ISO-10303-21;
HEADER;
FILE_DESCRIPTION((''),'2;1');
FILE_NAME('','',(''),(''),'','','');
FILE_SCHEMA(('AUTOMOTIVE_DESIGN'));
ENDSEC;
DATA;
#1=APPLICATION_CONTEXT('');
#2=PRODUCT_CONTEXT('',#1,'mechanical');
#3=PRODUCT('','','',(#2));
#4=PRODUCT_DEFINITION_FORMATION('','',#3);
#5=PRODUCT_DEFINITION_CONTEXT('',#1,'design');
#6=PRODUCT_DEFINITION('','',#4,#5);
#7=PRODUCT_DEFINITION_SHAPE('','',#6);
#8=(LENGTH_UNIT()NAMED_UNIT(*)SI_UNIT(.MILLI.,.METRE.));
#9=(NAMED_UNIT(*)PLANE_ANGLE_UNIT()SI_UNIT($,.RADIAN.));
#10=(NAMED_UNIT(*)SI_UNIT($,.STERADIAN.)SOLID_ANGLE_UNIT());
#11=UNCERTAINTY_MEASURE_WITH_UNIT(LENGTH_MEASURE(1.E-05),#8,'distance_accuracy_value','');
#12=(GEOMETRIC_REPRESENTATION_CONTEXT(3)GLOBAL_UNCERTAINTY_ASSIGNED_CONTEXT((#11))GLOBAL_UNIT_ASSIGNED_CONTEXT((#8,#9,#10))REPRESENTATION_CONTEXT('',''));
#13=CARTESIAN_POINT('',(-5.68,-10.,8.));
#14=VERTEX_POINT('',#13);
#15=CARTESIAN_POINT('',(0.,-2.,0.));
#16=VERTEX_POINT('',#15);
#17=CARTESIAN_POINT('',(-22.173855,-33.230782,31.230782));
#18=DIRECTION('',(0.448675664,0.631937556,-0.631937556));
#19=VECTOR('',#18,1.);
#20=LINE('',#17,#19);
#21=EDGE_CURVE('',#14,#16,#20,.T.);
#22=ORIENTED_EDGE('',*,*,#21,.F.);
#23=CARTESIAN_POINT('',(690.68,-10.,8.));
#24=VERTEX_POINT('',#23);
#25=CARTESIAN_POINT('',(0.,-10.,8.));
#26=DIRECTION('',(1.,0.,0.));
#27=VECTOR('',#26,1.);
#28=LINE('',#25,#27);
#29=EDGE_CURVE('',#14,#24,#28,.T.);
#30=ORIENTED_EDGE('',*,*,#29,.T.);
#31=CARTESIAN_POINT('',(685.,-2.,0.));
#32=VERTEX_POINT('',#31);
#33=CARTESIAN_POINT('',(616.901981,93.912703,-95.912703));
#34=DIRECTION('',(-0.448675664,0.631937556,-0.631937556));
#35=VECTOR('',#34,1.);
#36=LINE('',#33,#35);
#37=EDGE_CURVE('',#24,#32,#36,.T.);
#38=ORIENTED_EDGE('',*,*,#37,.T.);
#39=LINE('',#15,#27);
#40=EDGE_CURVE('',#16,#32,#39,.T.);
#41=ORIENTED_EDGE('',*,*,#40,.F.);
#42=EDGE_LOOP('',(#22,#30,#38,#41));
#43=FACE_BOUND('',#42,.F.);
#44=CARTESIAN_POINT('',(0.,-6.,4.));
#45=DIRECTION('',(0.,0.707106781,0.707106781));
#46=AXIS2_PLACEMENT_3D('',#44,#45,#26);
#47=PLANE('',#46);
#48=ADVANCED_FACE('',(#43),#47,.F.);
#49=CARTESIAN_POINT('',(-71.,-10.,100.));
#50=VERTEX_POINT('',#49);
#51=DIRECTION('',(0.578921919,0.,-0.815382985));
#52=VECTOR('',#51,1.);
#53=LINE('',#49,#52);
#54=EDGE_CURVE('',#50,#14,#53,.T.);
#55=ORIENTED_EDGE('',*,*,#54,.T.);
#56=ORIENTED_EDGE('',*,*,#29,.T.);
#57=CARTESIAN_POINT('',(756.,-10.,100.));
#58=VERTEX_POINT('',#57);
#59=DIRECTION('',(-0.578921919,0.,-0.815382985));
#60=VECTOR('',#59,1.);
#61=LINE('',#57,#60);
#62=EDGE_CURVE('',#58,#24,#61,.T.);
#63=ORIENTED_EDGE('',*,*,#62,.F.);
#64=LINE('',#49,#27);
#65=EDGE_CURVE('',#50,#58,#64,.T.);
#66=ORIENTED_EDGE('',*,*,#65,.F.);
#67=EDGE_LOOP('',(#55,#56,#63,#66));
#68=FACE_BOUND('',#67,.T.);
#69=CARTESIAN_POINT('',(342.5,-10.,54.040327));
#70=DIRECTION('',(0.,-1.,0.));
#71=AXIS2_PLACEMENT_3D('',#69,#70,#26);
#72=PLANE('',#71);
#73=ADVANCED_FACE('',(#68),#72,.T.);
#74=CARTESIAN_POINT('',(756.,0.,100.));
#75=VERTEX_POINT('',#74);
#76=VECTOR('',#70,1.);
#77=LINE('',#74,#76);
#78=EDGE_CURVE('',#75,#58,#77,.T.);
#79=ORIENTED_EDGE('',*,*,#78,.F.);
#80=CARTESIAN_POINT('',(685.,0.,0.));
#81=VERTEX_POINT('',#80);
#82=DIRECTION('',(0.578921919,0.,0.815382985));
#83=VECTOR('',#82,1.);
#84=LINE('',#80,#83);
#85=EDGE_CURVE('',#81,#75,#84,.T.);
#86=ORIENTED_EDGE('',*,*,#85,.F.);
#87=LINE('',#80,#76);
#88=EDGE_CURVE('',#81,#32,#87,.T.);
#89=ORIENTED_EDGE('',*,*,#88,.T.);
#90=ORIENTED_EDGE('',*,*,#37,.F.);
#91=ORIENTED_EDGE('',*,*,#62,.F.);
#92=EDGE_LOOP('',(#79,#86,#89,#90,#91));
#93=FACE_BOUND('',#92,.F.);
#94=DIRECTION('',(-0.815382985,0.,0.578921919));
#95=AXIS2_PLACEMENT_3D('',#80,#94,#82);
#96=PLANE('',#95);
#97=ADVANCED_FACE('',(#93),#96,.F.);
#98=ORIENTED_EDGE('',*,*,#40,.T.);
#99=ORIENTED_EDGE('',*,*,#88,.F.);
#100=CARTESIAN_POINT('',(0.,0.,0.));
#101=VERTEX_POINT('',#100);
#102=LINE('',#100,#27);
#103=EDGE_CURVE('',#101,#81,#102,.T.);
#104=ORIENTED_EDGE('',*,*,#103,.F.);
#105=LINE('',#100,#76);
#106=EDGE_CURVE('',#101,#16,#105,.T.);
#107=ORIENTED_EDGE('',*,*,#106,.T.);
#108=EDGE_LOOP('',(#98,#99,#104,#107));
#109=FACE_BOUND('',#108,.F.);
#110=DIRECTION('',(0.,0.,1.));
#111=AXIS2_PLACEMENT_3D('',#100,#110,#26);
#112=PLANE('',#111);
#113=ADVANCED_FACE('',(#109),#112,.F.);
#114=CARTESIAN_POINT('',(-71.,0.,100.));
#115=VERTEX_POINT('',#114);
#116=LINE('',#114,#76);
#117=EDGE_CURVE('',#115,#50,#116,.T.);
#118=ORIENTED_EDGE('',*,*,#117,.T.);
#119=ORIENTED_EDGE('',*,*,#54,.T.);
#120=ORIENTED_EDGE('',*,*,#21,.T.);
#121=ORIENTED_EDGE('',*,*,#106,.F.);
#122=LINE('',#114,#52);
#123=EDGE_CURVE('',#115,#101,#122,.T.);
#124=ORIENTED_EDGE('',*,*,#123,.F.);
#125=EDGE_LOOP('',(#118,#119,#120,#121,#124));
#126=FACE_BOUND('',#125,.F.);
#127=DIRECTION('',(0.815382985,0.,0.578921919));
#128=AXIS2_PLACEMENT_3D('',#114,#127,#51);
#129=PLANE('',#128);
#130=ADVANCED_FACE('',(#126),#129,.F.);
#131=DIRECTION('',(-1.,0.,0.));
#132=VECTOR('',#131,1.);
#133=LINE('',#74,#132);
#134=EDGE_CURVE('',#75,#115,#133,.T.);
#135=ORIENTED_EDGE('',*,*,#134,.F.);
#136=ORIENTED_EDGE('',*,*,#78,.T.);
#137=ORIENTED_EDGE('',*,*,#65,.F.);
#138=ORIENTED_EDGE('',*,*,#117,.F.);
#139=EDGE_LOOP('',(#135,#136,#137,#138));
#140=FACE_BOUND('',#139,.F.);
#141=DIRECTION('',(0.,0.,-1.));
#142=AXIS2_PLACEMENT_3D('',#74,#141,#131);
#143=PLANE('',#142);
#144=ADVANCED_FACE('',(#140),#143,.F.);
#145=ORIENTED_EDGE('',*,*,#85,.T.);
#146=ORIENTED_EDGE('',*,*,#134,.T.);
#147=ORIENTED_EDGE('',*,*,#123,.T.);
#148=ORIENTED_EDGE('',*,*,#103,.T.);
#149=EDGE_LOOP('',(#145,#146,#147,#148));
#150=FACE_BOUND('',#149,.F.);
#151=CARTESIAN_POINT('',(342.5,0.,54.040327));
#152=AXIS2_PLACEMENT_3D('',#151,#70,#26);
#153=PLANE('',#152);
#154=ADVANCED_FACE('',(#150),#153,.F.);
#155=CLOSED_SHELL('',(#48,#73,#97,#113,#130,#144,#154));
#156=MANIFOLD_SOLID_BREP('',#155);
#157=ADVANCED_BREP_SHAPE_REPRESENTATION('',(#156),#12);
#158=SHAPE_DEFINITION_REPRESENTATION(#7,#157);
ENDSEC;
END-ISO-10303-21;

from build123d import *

# Parameters (mm, degrees)
F1_DEPTH = 10
F3_DEPTH = 674.322728
F6_DEPTH = 674.322728
F7_SIZE2 = 8
F7_SIZE  = 8


with BuildPart() as f1:
    # F0 (on Front) → F1 (new body)
    with BuildSketch(Plane.XZ):
        Polygon((-71, 100), (0, 0), (685, 0), (756, 100), align=None)
    extrude(amount=F1_DEPTH)

    # F2 (on face) → F3 (cut, through all)
    with BuildSketch(Plane(origin=(455.421847, 0, -323.349511), x_dir=(0, 1, 0), z_dir=(0.815383, 0, -0.578922))):
        Polygon((-10, 519.203269), (0, 519.203269), (0, 523.92737), (-15.178904, 523.92737), (-15.178904, 510.439725), (-10, 513.429767), align=None)
    extrude(amount=-F3_DEPTH, mode=Mode.SUBTRACT)

    # F5 (on face) → F6 (cut, through all)
    with BuildSketch(Plane(origin=(455.421847, 0, -323.349511), x_dir=(0, 1, 0), z_dir=(0.815383, 0, -0.578922))):
        Polygon((-196.915056, 209.646459), (-210.872175, 195.689339), (-196.915056, 195.689339), align=None)
    extrude(amount=-F6_DEPTH, mode=Mode.SUBTRACT)

    # F7
    f7_edges = [f1.edges().sort_by_distance(p)[0] for p in [
        (342.5, -10, 0),
    ]]
    chamfer(f7_edges, length=F7_SIZE, length2=F7_SIZE2)


solid = f1.part
